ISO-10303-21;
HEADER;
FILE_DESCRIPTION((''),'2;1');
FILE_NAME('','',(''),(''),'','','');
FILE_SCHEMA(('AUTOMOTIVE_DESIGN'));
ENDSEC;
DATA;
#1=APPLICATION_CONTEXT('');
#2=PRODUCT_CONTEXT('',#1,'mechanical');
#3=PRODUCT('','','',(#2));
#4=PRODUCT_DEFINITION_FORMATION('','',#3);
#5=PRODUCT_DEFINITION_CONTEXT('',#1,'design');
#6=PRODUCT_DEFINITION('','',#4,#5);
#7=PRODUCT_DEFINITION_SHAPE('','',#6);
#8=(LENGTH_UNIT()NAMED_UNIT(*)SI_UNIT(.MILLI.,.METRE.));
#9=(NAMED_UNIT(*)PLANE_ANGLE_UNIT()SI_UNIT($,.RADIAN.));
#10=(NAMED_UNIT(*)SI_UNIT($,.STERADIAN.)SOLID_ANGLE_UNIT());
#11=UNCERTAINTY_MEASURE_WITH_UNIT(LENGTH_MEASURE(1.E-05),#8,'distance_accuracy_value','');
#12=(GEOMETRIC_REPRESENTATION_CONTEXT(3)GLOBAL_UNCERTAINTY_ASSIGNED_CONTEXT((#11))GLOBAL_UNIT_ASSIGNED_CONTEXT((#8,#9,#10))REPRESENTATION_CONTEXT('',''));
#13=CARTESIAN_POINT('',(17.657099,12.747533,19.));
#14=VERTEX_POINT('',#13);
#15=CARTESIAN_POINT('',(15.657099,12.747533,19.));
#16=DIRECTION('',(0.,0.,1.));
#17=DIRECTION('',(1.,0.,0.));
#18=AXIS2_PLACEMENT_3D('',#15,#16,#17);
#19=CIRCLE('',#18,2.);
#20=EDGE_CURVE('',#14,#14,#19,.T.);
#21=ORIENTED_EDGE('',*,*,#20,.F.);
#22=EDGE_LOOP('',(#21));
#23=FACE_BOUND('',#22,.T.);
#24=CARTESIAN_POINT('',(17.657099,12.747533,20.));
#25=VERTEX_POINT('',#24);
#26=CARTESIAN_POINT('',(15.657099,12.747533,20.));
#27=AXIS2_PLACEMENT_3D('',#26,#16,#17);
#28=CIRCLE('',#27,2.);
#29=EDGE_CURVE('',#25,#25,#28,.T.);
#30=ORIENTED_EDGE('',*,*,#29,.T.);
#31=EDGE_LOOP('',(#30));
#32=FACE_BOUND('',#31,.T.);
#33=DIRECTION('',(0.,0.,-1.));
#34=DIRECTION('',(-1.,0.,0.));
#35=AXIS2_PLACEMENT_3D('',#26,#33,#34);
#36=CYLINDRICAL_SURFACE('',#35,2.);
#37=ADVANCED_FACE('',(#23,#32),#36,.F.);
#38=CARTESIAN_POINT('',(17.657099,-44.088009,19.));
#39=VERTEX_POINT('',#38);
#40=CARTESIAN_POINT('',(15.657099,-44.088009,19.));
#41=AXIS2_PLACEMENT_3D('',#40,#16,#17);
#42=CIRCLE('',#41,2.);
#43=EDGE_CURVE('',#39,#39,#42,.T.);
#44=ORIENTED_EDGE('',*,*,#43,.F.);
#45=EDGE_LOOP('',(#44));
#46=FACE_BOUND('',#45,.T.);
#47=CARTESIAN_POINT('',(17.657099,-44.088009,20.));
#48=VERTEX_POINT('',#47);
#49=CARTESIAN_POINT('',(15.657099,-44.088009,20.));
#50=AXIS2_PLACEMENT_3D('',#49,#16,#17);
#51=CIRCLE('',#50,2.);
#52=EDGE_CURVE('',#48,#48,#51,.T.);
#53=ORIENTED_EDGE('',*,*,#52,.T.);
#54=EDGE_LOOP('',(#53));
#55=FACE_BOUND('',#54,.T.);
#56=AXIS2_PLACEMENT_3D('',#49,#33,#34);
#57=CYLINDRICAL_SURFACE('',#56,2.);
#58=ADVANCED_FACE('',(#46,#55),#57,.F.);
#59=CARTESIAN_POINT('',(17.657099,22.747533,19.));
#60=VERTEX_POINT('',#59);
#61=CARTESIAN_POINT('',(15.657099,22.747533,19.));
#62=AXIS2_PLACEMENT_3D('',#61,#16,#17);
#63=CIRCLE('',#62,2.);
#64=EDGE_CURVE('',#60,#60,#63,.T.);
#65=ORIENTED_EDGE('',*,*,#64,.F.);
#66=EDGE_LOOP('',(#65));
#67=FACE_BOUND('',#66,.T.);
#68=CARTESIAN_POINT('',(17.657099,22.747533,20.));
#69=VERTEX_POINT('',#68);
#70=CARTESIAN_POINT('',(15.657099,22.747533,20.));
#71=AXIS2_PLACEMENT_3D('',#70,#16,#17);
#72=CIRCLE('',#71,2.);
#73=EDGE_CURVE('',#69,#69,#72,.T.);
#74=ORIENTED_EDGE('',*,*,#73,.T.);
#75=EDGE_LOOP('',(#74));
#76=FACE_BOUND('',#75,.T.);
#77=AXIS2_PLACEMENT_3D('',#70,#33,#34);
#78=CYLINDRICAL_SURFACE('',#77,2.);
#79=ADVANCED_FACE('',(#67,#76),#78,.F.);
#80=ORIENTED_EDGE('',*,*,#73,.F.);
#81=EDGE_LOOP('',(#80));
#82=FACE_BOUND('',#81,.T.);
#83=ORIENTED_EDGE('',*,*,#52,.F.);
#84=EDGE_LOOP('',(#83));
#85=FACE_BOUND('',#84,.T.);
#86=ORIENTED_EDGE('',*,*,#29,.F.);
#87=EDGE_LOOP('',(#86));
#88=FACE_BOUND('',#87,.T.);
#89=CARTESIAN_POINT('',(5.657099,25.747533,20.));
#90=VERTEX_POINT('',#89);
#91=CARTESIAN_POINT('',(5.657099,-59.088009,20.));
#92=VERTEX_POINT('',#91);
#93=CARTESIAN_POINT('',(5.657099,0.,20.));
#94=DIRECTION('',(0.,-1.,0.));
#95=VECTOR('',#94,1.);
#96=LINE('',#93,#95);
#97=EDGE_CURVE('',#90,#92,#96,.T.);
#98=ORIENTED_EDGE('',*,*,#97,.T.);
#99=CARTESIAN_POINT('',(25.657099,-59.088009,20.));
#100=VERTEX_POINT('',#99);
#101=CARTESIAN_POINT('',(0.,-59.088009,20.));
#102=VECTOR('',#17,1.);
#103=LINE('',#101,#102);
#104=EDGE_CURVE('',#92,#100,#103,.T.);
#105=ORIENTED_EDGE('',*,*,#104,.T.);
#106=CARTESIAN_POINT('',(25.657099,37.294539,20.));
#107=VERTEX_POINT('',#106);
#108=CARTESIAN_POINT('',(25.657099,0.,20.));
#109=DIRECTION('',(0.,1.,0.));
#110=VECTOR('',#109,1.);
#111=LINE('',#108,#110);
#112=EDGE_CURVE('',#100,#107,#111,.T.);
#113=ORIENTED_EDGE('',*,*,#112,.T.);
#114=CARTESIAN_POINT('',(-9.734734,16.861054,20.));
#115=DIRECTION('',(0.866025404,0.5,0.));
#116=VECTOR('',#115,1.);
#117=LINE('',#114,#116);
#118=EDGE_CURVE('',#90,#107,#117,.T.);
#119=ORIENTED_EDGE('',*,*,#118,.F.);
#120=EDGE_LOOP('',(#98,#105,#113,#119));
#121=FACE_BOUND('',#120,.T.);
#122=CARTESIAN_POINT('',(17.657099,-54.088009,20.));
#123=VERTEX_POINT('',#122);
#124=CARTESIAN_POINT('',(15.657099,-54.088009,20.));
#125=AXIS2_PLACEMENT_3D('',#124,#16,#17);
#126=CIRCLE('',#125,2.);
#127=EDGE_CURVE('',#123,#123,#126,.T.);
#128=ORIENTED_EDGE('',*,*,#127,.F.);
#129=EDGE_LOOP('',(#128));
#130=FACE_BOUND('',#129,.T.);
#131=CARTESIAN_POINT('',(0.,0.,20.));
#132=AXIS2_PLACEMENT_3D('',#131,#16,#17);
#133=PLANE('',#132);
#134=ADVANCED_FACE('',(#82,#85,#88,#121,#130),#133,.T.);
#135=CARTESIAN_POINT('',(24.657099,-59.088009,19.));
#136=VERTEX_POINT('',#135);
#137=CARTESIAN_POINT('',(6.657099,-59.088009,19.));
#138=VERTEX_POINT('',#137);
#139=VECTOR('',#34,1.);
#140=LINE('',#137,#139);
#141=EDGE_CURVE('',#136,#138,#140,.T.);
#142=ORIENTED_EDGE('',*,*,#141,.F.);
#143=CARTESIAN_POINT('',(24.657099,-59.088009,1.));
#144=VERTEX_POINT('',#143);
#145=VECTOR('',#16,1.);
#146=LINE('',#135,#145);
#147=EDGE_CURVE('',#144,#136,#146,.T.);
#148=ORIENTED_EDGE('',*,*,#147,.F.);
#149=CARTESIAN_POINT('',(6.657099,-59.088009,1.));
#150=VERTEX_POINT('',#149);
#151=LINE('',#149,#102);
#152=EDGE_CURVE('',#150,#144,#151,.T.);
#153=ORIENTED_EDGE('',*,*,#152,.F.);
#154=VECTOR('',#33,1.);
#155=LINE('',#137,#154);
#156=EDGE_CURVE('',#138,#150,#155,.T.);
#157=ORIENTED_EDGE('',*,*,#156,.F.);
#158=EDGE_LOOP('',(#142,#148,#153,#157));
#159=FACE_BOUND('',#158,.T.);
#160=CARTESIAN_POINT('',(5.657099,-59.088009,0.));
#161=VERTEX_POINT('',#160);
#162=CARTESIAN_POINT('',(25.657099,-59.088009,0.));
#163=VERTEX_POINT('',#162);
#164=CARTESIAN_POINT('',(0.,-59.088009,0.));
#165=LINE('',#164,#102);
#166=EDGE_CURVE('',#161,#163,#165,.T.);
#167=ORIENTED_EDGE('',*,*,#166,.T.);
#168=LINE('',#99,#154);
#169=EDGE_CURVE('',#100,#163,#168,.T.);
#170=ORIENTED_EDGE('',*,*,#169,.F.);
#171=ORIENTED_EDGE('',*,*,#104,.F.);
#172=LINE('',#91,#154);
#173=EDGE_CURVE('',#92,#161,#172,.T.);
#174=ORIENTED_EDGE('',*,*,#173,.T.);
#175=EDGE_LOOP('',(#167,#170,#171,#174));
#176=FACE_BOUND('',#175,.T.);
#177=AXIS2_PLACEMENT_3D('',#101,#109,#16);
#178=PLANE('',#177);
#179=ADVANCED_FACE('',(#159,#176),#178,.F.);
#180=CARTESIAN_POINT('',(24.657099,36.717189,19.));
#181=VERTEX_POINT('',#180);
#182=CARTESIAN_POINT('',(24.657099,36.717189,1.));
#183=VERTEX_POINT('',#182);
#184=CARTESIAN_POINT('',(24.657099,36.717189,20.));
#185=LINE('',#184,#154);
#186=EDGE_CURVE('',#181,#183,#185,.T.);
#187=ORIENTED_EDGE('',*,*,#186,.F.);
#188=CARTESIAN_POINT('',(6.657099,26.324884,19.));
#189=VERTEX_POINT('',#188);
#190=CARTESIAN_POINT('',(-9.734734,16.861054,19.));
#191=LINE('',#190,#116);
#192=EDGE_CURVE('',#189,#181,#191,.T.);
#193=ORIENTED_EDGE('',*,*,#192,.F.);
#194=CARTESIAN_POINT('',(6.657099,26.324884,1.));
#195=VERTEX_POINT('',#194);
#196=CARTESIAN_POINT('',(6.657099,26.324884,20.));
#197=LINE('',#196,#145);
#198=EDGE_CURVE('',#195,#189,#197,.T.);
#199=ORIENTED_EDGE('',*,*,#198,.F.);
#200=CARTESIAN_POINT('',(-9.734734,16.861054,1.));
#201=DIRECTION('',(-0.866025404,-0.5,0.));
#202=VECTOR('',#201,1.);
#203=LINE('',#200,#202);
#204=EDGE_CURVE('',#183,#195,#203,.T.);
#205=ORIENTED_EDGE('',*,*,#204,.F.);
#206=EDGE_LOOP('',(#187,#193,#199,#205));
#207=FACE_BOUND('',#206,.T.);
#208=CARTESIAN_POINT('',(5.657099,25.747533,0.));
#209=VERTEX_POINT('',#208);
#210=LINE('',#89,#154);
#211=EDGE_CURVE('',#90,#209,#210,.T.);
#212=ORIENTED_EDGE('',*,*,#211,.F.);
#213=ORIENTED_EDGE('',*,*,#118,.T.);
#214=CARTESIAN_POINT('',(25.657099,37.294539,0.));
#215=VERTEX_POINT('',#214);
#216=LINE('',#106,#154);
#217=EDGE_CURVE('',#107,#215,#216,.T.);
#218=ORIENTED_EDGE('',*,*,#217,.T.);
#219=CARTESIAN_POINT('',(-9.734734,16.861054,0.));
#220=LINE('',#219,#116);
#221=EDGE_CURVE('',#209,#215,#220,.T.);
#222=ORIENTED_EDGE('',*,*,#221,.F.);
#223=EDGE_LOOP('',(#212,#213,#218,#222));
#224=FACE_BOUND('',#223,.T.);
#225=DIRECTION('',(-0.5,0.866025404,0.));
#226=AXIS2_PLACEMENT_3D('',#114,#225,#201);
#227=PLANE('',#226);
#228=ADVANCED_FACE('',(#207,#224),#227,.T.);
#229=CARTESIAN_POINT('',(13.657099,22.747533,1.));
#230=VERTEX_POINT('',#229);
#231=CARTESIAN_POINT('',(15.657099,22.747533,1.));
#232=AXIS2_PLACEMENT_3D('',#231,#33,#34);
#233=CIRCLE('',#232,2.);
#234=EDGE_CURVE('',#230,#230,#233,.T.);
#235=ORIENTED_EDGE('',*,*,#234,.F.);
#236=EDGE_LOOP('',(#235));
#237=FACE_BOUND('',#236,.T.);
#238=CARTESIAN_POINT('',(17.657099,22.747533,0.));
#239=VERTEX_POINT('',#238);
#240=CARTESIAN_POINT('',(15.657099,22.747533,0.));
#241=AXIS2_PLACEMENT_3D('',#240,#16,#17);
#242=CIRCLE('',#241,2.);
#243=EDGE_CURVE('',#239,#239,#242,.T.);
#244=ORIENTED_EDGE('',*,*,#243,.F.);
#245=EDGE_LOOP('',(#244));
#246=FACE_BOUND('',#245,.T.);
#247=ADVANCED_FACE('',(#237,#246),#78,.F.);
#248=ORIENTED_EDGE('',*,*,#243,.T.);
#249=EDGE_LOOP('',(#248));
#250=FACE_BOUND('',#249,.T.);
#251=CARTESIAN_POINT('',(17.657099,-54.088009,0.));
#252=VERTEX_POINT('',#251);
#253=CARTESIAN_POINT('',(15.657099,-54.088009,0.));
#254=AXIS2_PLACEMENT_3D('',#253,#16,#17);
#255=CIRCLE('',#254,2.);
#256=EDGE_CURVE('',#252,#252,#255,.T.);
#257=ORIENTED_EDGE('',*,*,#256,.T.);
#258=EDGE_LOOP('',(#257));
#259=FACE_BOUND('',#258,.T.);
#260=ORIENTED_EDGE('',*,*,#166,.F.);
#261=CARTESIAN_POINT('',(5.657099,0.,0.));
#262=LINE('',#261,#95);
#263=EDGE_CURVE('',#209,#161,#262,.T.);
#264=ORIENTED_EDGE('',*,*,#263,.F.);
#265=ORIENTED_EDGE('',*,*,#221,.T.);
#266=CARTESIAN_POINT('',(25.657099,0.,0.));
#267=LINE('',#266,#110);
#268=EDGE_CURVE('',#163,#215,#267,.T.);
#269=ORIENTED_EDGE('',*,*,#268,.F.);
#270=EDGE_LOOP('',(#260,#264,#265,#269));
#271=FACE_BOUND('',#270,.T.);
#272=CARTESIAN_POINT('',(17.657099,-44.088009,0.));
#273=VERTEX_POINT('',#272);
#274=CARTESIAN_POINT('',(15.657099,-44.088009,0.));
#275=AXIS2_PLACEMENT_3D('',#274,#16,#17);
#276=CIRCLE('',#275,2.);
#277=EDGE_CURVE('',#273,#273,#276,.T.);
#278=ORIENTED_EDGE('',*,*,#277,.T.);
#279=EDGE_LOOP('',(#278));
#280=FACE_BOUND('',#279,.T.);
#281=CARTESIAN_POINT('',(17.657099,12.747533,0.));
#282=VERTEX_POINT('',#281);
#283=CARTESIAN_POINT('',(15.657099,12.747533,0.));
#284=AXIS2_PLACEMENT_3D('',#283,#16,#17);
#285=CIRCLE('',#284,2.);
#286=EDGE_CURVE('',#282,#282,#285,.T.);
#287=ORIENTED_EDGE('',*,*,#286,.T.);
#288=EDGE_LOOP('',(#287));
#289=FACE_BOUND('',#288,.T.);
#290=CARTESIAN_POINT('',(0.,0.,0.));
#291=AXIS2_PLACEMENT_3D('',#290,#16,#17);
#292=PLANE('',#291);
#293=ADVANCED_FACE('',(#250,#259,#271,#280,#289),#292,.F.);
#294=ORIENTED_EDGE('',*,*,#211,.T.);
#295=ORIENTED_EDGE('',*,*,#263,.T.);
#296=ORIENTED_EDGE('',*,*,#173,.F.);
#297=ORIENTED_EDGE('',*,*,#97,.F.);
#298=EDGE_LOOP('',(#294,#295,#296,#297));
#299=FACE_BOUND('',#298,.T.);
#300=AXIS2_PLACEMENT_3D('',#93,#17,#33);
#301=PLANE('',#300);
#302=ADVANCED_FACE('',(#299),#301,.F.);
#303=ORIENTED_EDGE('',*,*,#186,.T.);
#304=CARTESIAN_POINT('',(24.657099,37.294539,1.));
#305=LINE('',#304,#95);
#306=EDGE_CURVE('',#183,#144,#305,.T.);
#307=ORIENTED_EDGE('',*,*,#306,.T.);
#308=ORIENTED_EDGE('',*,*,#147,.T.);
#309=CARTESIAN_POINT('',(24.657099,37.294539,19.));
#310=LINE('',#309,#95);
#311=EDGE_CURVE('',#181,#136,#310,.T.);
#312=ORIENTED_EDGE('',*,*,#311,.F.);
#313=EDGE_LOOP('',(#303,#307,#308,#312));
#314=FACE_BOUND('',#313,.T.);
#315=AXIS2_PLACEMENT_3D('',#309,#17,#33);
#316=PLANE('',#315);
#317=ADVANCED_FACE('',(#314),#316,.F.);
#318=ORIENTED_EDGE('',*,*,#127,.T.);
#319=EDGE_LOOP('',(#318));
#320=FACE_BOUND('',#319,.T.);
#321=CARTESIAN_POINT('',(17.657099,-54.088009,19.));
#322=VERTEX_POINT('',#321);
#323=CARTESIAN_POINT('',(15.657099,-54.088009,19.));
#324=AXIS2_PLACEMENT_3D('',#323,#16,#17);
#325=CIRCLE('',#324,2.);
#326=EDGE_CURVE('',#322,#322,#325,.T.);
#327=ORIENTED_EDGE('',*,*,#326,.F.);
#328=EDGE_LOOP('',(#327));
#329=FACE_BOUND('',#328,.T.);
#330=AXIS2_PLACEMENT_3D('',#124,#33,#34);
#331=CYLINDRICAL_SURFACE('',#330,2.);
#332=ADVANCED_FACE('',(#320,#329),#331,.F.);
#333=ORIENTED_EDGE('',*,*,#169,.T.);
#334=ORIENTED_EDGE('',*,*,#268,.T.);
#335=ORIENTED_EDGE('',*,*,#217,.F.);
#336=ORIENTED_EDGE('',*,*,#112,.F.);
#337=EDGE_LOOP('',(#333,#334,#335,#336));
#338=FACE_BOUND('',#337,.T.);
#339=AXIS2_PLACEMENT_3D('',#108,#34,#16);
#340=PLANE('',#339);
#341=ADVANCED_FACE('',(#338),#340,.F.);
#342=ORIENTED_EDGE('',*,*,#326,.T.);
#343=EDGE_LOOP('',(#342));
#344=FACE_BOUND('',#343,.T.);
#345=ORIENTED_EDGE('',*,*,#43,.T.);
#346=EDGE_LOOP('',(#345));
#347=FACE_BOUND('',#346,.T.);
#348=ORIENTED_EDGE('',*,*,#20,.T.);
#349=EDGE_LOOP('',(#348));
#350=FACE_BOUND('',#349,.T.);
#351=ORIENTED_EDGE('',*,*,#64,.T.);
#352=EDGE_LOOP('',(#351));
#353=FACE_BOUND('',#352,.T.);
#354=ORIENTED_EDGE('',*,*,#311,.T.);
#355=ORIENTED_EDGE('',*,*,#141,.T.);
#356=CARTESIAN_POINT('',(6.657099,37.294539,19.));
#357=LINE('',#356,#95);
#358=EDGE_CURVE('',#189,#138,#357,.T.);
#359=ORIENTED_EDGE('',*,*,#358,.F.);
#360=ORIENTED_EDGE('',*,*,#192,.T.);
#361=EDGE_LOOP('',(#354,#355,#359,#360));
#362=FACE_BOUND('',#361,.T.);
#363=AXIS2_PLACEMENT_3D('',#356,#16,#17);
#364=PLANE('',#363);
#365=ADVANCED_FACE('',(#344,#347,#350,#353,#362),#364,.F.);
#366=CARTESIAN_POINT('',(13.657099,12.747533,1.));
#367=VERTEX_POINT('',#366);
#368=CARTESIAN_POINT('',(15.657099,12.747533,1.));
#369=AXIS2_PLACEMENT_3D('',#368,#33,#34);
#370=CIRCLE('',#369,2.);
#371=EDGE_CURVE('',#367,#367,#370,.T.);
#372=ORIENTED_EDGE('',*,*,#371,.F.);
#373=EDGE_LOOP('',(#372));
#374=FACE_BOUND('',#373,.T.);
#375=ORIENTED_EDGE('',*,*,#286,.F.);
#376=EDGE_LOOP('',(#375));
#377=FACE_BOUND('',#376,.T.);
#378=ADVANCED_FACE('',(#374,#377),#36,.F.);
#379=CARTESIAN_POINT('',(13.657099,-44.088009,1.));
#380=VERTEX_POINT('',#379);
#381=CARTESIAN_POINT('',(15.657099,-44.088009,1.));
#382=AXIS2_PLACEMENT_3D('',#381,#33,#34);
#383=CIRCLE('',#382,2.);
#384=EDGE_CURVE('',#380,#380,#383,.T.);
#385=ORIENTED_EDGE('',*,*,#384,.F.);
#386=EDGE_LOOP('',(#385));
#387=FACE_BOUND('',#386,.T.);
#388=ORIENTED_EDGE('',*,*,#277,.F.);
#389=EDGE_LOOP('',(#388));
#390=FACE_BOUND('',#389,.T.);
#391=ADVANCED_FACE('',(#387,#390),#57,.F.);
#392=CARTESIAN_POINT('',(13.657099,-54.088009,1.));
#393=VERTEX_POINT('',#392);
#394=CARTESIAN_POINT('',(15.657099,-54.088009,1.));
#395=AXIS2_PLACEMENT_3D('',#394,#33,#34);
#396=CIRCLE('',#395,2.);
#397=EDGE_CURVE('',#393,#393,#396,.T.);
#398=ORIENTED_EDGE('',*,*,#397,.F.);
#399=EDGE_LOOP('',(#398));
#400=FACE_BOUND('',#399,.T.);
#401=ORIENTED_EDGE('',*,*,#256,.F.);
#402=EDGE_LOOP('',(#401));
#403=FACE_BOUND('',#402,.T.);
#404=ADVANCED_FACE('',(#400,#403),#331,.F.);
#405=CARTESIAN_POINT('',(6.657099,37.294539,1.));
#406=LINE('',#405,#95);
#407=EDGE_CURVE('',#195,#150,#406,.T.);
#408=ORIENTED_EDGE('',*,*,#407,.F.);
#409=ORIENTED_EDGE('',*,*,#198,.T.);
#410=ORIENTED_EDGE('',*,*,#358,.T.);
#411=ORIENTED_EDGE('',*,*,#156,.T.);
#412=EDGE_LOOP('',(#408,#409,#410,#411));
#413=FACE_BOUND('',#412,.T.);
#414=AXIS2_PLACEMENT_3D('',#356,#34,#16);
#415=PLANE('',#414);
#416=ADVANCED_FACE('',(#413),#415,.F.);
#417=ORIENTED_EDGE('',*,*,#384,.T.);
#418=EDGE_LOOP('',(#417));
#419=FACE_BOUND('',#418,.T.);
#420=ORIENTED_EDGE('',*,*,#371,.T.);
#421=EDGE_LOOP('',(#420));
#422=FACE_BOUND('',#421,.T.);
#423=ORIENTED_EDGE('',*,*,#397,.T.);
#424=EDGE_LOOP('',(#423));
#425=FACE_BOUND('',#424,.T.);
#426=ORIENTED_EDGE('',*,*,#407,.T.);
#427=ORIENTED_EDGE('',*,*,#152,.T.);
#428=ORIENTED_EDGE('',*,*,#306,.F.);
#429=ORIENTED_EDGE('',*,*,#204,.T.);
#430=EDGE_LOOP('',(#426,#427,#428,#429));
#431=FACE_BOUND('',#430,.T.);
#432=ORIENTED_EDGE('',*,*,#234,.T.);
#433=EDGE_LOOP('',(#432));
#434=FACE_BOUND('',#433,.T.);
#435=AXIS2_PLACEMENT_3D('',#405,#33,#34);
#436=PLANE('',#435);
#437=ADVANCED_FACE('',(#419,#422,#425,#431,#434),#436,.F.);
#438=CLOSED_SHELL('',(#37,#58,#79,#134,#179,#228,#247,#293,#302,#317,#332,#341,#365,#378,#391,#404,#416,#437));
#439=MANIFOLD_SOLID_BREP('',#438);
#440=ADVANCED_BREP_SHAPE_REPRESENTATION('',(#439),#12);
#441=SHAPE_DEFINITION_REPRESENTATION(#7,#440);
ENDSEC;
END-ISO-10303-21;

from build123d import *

# Parameters (mm, degrees)
SKETCH_1_R          = 2
EXTRUDE_1_DEPTH     = 20
SKETCH_2_W          = 18
SKETCH_2_H          = 18
CUT_EXTRUDE_1_DEPTH = 102.724540869


with BuildPart() as part:
    # 草图1 → 凸台-拉伸1 (new body)
    with BuildSketch(Plane.XY):
        Polygon((5.657098919, 25.747533472), (25.657098919, 37.294538856), (25.657098919, -59.088008787), (5.657098919, -59.088008787), align=None)
        with Locations((15.657098919, 22.747533472)):
            Circle(SKETCH_1_R, mode=Mode.SUBTRACT)
        with Locations((15.657098919, 12.747533472)):
            Circle(SKETCH_1_R, mode=Mode.SUBTRACT)
        with Locations((15.657098919, -44.088008787)):
            Circle(SKETCH_1_R, mode=Mode.SUBTRACT)
        with Locations((15.657098919, -54.088008787)):
            Circle(SKETCH_1_R, mode=Mode.SUBTRACT)
    extrude(amount=EXTRUDE_1_DEPTH)

    # 草图2 → 切除-拉伸1 (cut, through all)
    with BuildSketch(Plane.XZ.offset(59.088008787)):
        with Locations((15.657098919, 10)):
            Rectangle(SKETCH_2_W, SKETCH_2_H)
    extrude(amount=-CUT_EXTRUDE_1_DEPTH, mode=Mode.SUBTRACT)


solid = part.part
